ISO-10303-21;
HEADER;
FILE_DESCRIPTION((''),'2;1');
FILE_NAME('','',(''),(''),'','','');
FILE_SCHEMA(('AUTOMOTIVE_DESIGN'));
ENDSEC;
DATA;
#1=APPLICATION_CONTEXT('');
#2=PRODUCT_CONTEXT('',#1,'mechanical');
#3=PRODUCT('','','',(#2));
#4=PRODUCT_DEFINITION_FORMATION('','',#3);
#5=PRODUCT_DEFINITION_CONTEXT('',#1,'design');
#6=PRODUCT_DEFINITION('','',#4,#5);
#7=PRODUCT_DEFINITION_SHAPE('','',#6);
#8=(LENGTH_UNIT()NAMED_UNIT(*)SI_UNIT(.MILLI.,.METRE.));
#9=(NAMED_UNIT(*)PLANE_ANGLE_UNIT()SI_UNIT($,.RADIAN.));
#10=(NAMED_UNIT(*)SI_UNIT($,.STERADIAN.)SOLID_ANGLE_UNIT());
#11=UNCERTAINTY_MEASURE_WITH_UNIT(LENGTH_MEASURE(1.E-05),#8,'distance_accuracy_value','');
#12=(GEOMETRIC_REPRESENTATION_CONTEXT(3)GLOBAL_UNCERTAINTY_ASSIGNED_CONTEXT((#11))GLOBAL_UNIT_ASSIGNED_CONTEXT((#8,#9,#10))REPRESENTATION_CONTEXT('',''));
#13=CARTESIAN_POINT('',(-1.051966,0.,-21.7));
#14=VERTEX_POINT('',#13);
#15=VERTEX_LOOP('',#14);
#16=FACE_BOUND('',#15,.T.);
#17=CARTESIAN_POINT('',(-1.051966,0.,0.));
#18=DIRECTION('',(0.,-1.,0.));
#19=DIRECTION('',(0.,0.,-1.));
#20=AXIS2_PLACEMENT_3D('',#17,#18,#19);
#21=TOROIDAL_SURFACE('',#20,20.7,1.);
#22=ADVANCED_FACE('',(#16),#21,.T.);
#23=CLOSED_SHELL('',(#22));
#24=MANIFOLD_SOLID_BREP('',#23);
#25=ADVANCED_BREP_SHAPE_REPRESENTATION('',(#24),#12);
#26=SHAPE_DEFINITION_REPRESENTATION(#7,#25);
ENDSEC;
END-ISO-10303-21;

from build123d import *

# Parameters (mm, degrees)
SCHIZZO1_R = 1


with BuildPart() as part:
    # Schizzo1 → Rivoluzione1 (revolve)
    with BuildSketch(Plane.XY):
        with Locations((19.648033701, 0)):
            Circle(SCHIZZO1_R)
    revolve(axis=Axis((-1.051966299, 0, 0), (0, 1, 0)))


solid = part.part
